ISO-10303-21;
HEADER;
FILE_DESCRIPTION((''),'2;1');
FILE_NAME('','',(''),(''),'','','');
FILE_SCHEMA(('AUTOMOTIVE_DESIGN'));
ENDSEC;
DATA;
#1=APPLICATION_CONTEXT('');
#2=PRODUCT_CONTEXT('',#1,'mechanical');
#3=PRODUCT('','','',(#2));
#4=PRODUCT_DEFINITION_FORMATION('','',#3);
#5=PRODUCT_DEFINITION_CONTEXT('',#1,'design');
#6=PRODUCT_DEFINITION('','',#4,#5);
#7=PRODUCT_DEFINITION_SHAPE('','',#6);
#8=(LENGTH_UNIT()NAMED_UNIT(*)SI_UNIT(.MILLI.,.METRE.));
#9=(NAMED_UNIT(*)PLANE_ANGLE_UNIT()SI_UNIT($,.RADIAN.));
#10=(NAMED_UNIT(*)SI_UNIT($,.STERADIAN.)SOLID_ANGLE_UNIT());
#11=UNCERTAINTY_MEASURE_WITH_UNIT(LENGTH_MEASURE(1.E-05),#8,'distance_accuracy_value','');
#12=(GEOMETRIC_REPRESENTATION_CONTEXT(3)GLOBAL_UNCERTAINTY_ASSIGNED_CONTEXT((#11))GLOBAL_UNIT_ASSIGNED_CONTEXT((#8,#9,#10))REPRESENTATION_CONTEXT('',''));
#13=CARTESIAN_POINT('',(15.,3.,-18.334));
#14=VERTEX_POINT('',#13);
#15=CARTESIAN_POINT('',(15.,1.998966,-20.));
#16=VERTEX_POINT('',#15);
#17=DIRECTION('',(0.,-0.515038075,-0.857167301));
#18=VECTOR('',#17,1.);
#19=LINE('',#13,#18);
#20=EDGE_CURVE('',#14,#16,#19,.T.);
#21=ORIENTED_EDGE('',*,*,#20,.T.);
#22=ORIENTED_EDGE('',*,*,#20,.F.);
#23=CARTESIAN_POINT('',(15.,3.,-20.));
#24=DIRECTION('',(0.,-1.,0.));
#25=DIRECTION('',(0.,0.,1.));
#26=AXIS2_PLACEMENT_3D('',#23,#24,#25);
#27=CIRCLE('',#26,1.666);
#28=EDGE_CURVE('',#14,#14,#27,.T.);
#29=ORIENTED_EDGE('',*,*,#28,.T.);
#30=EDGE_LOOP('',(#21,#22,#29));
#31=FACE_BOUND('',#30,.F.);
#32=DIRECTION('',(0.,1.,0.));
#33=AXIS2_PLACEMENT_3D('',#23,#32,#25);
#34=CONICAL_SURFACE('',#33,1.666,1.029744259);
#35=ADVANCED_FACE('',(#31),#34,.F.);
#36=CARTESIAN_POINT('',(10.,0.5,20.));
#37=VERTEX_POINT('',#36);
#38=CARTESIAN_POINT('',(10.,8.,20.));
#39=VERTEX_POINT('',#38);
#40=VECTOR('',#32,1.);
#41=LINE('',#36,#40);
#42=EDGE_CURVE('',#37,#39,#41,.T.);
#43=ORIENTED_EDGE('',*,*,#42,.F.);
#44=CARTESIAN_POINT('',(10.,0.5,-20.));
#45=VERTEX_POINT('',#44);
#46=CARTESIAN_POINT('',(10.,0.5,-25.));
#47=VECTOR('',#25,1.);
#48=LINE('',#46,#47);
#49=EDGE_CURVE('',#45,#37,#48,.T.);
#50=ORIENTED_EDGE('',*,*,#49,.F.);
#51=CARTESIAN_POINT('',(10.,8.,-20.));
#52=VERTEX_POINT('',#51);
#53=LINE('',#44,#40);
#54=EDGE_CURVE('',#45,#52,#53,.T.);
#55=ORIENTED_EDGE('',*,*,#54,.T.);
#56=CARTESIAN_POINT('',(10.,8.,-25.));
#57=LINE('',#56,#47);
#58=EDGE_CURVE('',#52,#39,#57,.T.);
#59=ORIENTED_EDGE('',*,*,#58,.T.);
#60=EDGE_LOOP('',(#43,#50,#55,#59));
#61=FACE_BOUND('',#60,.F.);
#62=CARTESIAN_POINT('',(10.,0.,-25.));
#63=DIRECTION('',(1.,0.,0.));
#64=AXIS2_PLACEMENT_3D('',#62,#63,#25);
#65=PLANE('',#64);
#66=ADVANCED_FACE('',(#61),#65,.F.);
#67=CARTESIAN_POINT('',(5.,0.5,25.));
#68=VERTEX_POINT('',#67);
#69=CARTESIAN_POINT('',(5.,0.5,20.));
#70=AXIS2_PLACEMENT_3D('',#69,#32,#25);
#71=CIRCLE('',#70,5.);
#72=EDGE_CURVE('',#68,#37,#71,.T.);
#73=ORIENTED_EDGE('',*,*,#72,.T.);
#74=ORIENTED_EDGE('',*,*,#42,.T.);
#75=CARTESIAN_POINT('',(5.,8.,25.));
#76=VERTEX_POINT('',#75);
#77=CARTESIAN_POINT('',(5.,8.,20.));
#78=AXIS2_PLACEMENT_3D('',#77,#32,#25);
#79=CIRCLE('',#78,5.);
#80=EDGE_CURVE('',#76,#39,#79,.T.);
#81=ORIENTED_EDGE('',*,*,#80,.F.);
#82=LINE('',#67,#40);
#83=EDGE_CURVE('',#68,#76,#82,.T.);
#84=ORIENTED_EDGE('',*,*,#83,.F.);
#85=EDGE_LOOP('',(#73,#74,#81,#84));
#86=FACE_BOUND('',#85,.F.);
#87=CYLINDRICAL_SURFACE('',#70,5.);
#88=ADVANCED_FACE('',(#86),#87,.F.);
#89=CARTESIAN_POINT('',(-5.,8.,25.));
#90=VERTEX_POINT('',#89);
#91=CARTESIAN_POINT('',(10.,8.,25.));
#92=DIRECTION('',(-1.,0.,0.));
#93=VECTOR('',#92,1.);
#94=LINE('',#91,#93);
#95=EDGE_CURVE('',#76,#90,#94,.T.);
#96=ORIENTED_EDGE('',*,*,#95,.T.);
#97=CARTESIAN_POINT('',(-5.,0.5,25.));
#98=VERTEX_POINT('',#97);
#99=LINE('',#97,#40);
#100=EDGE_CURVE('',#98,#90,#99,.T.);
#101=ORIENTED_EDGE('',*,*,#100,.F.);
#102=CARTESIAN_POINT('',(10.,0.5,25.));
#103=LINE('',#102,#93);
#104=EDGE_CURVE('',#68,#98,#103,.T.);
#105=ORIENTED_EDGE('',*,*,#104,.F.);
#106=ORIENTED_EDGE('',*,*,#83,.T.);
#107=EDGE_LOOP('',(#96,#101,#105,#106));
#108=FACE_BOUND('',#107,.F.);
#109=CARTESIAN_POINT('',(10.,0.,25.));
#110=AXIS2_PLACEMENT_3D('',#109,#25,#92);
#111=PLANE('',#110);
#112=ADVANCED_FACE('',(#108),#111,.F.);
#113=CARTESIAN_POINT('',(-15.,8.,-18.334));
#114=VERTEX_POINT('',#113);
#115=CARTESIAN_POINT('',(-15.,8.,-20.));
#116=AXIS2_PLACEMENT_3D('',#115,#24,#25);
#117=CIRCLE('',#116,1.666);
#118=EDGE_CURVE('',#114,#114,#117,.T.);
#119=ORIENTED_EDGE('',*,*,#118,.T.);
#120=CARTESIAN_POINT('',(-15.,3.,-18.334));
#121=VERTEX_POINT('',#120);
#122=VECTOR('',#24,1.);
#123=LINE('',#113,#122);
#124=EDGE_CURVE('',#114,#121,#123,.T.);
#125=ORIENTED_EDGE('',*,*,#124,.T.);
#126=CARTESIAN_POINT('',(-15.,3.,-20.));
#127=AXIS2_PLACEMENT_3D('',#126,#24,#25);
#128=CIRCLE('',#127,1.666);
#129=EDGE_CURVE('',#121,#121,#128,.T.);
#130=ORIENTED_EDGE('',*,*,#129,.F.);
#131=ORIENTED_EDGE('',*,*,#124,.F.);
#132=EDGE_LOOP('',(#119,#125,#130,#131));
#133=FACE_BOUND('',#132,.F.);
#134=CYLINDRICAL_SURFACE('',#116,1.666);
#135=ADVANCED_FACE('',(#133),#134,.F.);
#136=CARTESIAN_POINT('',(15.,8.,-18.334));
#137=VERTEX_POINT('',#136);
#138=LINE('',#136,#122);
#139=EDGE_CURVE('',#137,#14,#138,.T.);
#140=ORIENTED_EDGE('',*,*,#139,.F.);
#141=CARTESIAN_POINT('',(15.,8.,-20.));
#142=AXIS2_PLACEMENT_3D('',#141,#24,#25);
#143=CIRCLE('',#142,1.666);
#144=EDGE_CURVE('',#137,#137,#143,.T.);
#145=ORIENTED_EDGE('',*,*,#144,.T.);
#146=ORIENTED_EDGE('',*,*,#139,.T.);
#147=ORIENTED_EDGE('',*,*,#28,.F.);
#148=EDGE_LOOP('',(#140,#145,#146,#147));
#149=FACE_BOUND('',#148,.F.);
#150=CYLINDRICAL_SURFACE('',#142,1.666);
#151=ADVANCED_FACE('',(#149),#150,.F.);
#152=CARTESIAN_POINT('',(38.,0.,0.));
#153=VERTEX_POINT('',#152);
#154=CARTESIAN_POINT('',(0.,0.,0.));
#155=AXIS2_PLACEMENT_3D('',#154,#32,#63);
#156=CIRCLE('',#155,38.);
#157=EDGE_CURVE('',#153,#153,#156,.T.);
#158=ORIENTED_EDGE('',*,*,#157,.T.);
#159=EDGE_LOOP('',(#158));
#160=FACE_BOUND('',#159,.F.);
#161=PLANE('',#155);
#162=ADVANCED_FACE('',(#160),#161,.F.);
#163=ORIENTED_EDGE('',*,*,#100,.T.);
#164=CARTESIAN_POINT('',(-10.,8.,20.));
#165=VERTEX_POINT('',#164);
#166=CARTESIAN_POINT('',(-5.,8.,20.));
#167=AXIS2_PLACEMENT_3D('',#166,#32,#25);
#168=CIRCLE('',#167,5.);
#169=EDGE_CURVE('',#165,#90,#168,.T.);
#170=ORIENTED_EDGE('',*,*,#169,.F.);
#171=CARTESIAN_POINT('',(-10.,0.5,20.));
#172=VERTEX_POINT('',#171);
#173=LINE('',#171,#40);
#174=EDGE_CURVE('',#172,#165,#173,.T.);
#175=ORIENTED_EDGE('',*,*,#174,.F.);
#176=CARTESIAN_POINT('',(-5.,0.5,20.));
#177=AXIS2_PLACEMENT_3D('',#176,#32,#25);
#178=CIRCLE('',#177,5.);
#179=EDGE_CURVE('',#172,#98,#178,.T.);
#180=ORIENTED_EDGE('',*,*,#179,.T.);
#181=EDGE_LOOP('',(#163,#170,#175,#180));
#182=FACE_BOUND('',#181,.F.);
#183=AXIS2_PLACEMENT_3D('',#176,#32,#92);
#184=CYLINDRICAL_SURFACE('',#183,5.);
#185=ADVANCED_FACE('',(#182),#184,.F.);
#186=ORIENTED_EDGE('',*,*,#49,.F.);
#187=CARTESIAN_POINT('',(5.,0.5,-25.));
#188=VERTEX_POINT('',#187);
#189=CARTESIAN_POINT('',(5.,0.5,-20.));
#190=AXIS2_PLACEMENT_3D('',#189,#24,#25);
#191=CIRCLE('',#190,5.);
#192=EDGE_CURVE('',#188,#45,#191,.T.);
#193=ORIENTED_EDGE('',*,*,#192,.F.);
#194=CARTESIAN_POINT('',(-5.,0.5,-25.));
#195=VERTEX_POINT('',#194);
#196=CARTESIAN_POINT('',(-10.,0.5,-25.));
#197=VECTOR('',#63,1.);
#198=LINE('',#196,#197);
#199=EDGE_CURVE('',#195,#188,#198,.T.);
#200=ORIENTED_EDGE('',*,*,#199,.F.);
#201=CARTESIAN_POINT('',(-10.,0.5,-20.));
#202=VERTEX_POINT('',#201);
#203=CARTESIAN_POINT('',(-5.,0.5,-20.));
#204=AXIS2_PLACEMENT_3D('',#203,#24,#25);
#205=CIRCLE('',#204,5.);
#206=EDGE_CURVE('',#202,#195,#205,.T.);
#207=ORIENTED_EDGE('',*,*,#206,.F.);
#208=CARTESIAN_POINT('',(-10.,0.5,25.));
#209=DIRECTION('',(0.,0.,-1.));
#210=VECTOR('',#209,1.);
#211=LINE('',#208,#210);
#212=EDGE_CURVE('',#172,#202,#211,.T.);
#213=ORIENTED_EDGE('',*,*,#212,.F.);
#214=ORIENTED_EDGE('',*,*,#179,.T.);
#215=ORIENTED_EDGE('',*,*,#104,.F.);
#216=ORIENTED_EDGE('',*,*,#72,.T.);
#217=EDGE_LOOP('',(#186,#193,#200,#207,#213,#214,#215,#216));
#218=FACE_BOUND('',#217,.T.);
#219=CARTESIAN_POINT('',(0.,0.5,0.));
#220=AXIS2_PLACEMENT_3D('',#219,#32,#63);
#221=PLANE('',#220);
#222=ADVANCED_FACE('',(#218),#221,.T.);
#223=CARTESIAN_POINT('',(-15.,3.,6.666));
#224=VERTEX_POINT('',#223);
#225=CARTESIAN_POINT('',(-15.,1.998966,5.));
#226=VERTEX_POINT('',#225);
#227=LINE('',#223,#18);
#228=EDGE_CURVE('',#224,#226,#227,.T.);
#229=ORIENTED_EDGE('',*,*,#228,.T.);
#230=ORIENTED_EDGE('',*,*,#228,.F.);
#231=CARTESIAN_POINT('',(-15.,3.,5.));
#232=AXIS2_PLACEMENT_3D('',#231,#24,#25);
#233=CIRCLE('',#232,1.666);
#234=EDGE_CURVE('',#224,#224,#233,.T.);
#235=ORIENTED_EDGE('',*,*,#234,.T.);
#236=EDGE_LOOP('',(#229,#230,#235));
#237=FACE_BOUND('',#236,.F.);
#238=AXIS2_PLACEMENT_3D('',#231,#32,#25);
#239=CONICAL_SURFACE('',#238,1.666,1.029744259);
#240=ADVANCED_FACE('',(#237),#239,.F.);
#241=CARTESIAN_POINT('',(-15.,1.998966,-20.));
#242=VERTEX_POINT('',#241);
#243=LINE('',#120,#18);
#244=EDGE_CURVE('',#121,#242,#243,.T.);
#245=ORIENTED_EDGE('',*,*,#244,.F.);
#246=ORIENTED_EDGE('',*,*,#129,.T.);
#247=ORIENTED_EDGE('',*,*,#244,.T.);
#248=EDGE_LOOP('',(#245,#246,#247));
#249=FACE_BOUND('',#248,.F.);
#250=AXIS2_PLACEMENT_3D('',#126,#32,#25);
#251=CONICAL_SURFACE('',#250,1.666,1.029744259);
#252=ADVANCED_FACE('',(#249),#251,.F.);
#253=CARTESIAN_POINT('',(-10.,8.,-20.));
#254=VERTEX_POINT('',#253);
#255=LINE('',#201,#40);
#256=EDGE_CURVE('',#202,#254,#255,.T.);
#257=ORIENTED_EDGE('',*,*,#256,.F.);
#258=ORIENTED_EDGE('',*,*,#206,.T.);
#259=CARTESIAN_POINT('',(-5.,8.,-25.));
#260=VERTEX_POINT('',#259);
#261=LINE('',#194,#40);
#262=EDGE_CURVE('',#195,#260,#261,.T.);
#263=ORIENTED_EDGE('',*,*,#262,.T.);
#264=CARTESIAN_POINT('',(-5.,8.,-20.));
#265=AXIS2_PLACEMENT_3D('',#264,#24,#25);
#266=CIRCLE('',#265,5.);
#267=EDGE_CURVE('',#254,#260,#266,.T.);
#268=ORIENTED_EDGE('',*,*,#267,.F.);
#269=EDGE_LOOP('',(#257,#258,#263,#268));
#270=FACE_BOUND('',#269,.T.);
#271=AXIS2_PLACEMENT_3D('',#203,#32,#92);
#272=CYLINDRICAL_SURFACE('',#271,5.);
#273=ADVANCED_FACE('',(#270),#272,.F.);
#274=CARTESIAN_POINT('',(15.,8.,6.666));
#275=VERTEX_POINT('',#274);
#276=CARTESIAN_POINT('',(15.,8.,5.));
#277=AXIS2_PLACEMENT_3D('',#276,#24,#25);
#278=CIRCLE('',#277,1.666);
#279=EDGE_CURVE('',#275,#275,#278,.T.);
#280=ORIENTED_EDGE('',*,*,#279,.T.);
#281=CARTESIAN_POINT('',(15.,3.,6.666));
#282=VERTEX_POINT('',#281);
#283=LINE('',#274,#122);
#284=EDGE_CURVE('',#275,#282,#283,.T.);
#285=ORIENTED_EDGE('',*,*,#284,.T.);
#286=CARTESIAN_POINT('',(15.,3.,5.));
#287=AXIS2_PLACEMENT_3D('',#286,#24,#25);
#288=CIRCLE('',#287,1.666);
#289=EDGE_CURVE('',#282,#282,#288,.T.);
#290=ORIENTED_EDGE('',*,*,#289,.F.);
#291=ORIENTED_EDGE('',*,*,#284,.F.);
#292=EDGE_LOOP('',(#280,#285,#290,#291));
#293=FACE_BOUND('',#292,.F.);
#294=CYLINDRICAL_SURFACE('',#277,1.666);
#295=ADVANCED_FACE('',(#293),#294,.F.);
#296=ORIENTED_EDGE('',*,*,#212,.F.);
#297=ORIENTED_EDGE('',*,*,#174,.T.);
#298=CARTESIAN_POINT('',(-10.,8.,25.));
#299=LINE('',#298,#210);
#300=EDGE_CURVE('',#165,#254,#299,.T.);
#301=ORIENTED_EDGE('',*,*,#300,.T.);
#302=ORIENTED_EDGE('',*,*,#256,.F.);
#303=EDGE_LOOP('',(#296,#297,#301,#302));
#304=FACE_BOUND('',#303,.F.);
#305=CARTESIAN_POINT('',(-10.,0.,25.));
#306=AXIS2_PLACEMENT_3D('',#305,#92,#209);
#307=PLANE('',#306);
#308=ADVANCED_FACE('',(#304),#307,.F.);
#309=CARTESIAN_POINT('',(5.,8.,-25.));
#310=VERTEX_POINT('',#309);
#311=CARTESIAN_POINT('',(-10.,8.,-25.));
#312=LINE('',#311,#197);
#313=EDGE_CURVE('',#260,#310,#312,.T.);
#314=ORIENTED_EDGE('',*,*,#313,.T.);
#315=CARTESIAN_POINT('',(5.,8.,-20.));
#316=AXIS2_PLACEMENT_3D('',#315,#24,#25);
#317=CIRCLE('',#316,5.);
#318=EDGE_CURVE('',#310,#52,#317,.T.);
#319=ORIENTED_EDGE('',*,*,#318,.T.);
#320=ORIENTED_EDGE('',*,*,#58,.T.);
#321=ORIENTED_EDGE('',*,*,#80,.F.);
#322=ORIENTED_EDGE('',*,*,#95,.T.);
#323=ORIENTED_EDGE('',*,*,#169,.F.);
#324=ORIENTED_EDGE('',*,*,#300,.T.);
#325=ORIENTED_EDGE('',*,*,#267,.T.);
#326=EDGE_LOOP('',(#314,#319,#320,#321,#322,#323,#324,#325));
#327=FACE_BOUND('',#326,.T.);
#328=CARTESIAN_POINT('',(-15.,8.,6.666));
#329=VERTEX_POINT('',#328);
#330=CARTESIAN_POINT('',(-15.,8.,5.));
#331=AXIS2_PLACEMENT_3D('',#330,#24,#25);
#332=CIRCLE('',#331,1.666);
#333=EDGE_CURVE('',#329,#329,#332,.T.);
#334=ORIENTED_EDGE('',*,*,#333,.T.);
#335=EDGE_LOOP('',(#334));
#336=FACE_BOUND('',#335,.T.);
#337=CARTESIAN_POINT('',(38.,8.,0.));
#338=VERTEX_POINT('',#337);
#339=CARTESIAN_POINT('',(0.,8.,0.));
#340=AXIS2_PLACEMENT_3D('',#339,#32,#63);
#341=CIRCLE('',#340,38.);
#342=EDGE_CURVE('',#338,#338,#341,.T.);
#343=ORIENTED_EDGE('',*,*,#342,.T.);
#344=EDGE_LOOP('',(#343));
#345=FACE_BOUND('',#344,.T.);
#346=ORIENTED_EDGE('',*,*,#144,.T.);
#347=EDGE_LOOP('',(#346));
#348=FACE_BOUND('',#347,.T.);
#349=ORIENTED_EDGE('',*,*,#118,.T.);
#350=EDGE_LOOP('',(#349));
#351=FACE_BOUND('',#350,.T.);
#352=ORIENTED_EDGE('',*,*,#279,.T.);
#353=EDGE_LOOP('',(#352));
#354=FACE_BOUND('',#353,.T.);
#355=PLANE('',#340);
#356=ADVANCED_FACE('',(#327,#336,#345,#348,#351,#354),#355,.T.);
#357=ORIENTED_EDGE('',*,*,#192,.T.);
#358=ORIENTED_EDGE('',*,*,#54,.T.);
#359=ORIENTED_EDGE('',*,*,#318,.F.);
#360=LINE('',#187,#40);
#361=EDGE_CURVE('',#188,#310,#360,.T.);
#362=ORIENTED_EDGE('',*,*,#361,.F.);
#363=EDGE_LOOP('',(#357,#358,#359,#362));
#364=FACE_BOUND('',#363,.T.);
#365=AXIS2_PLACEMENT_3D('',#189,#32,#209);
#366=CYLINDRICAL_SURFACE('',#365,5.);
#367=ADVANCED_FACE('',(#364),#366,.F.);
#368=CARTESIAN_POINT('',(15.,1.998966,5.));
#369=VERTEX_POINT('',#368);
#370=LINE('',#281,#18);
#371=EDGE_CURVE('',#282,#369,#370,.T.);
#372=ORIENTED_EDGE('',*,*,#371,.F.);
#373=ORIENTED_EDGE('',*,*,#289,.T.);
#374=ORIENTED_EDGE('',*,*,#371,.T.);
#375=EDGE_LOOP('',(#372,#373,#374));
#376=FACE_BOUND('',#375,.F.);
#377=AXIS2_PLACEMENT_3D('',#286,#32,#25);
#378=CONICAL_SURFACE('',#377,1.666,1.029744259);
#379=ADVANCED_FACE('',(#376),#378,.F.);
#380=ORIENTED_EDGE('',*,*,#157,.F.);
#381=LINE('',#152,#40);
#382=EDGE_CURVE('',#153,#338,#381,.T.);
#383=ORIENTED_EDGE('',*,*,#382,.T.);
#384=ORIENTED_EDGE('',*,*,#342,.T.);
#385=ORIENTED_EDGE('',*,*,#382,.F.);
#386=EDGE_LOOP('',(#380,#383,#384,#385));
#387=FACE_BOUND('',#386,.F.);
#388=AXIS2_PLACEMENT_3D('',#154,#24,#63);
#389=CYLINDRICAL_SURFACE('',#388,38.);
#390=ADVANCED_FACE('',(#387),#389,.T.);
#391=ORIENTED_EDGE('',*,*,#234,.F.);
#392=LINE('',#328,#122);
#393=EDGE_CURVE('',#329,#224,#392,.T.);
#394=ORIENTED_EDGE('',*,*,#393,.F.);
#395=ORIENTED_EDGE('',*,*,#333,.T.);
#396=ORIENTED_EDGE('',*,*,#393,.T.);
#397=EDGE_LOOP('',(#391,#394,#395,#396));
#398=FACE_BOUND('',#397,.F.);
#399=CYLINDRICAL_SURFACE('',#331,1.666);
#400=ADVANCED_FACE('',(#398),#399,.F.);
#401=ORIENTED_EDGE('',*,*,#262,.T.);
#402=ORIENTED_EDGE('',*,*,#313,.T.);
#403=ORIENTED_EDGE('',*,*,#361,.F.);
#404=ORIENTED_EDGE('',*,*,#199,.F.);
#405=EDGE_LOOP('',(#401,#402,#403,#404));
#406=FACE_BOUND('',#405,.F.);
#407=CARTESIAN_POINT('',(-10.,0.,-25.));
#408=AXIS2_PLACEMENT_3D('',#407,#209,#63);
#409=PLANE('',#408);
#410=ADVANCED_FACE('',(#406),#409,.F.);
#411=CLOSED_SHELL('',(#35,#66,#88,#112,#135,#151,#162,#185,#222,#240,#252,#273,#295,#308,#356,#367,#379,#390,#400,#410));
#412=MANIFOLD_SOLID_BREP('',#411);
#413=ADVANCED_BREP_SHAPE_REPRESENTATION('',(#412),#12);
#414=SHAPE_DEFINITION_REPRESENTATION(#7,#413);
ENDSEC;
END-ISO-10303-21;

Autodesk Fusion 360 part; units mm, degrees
sketch "Sketch1" plane through (0, 0, 0) normal (0, 1, 0) x (1, 0, 0)
  circle A0 centre (0, 0) radius 38
  line L0 (-10, 25) -> (10, 25)
  line L1 (10, 25) -> (10, -25)
  line L2 (10, -25) -> (-10, -25)
  line L3 (-10, -25) -> (-10, 25)
  line L4 (1.75, 0) -> (22.5, 0) construction
  line L5 (0, -1.75) -> (0, -22.5) construction
  dimension "d1" = 76
  dimension "d2" = 20
  dimension "d3" = 50
extrude "Extrude1" add sketch "Sketch1" along normal blind 8
extrude "Extrude2" add sketch "Sketch1" along normal blind 0.5 contours L0 L1 L2 L3
sketch "Sketch2" plane through (0, 8, 0) normal (0, 1, 0) x (-1, 0, 0)
  line L0 (-10, 25) -> (10, 25)
  line L1 (10, 25) -> (10, -25)
  line L2 (10, -25) -> (-10, -25)
  line L3 (-10, -25) -> (-10, 25)
  circle A0 centre (0, 0) radius 38
  line L4 (0, 1.75) -> (0, 22.5)
  line L5 (-1.75, 0) -> (-22.5, 0)
  point P0 (15, -20)
  point P1 (15, 5)
  point P2 (-15, -20)
  point P3 (-15, 5)
  dimension "d10" = 30
  dimension "d11" = 25
  dimension "d12" = 20
hole "Hole1" at (-15, 8, -20) at (-15, 8, 5) at (15, 8, -20) at (15, 8, 5) direction (0, -1, 0) diameter 3.332 depth 5 tip angle 118
fillet "Fillet1" radius 5 4 edges at (-10, 4.25, 25) (-10, 4.25, -25) (10, 4.25, 25) (10, 4.25, -25)
equation "d1 = ( 38 * 2 ) * 1 mm"
